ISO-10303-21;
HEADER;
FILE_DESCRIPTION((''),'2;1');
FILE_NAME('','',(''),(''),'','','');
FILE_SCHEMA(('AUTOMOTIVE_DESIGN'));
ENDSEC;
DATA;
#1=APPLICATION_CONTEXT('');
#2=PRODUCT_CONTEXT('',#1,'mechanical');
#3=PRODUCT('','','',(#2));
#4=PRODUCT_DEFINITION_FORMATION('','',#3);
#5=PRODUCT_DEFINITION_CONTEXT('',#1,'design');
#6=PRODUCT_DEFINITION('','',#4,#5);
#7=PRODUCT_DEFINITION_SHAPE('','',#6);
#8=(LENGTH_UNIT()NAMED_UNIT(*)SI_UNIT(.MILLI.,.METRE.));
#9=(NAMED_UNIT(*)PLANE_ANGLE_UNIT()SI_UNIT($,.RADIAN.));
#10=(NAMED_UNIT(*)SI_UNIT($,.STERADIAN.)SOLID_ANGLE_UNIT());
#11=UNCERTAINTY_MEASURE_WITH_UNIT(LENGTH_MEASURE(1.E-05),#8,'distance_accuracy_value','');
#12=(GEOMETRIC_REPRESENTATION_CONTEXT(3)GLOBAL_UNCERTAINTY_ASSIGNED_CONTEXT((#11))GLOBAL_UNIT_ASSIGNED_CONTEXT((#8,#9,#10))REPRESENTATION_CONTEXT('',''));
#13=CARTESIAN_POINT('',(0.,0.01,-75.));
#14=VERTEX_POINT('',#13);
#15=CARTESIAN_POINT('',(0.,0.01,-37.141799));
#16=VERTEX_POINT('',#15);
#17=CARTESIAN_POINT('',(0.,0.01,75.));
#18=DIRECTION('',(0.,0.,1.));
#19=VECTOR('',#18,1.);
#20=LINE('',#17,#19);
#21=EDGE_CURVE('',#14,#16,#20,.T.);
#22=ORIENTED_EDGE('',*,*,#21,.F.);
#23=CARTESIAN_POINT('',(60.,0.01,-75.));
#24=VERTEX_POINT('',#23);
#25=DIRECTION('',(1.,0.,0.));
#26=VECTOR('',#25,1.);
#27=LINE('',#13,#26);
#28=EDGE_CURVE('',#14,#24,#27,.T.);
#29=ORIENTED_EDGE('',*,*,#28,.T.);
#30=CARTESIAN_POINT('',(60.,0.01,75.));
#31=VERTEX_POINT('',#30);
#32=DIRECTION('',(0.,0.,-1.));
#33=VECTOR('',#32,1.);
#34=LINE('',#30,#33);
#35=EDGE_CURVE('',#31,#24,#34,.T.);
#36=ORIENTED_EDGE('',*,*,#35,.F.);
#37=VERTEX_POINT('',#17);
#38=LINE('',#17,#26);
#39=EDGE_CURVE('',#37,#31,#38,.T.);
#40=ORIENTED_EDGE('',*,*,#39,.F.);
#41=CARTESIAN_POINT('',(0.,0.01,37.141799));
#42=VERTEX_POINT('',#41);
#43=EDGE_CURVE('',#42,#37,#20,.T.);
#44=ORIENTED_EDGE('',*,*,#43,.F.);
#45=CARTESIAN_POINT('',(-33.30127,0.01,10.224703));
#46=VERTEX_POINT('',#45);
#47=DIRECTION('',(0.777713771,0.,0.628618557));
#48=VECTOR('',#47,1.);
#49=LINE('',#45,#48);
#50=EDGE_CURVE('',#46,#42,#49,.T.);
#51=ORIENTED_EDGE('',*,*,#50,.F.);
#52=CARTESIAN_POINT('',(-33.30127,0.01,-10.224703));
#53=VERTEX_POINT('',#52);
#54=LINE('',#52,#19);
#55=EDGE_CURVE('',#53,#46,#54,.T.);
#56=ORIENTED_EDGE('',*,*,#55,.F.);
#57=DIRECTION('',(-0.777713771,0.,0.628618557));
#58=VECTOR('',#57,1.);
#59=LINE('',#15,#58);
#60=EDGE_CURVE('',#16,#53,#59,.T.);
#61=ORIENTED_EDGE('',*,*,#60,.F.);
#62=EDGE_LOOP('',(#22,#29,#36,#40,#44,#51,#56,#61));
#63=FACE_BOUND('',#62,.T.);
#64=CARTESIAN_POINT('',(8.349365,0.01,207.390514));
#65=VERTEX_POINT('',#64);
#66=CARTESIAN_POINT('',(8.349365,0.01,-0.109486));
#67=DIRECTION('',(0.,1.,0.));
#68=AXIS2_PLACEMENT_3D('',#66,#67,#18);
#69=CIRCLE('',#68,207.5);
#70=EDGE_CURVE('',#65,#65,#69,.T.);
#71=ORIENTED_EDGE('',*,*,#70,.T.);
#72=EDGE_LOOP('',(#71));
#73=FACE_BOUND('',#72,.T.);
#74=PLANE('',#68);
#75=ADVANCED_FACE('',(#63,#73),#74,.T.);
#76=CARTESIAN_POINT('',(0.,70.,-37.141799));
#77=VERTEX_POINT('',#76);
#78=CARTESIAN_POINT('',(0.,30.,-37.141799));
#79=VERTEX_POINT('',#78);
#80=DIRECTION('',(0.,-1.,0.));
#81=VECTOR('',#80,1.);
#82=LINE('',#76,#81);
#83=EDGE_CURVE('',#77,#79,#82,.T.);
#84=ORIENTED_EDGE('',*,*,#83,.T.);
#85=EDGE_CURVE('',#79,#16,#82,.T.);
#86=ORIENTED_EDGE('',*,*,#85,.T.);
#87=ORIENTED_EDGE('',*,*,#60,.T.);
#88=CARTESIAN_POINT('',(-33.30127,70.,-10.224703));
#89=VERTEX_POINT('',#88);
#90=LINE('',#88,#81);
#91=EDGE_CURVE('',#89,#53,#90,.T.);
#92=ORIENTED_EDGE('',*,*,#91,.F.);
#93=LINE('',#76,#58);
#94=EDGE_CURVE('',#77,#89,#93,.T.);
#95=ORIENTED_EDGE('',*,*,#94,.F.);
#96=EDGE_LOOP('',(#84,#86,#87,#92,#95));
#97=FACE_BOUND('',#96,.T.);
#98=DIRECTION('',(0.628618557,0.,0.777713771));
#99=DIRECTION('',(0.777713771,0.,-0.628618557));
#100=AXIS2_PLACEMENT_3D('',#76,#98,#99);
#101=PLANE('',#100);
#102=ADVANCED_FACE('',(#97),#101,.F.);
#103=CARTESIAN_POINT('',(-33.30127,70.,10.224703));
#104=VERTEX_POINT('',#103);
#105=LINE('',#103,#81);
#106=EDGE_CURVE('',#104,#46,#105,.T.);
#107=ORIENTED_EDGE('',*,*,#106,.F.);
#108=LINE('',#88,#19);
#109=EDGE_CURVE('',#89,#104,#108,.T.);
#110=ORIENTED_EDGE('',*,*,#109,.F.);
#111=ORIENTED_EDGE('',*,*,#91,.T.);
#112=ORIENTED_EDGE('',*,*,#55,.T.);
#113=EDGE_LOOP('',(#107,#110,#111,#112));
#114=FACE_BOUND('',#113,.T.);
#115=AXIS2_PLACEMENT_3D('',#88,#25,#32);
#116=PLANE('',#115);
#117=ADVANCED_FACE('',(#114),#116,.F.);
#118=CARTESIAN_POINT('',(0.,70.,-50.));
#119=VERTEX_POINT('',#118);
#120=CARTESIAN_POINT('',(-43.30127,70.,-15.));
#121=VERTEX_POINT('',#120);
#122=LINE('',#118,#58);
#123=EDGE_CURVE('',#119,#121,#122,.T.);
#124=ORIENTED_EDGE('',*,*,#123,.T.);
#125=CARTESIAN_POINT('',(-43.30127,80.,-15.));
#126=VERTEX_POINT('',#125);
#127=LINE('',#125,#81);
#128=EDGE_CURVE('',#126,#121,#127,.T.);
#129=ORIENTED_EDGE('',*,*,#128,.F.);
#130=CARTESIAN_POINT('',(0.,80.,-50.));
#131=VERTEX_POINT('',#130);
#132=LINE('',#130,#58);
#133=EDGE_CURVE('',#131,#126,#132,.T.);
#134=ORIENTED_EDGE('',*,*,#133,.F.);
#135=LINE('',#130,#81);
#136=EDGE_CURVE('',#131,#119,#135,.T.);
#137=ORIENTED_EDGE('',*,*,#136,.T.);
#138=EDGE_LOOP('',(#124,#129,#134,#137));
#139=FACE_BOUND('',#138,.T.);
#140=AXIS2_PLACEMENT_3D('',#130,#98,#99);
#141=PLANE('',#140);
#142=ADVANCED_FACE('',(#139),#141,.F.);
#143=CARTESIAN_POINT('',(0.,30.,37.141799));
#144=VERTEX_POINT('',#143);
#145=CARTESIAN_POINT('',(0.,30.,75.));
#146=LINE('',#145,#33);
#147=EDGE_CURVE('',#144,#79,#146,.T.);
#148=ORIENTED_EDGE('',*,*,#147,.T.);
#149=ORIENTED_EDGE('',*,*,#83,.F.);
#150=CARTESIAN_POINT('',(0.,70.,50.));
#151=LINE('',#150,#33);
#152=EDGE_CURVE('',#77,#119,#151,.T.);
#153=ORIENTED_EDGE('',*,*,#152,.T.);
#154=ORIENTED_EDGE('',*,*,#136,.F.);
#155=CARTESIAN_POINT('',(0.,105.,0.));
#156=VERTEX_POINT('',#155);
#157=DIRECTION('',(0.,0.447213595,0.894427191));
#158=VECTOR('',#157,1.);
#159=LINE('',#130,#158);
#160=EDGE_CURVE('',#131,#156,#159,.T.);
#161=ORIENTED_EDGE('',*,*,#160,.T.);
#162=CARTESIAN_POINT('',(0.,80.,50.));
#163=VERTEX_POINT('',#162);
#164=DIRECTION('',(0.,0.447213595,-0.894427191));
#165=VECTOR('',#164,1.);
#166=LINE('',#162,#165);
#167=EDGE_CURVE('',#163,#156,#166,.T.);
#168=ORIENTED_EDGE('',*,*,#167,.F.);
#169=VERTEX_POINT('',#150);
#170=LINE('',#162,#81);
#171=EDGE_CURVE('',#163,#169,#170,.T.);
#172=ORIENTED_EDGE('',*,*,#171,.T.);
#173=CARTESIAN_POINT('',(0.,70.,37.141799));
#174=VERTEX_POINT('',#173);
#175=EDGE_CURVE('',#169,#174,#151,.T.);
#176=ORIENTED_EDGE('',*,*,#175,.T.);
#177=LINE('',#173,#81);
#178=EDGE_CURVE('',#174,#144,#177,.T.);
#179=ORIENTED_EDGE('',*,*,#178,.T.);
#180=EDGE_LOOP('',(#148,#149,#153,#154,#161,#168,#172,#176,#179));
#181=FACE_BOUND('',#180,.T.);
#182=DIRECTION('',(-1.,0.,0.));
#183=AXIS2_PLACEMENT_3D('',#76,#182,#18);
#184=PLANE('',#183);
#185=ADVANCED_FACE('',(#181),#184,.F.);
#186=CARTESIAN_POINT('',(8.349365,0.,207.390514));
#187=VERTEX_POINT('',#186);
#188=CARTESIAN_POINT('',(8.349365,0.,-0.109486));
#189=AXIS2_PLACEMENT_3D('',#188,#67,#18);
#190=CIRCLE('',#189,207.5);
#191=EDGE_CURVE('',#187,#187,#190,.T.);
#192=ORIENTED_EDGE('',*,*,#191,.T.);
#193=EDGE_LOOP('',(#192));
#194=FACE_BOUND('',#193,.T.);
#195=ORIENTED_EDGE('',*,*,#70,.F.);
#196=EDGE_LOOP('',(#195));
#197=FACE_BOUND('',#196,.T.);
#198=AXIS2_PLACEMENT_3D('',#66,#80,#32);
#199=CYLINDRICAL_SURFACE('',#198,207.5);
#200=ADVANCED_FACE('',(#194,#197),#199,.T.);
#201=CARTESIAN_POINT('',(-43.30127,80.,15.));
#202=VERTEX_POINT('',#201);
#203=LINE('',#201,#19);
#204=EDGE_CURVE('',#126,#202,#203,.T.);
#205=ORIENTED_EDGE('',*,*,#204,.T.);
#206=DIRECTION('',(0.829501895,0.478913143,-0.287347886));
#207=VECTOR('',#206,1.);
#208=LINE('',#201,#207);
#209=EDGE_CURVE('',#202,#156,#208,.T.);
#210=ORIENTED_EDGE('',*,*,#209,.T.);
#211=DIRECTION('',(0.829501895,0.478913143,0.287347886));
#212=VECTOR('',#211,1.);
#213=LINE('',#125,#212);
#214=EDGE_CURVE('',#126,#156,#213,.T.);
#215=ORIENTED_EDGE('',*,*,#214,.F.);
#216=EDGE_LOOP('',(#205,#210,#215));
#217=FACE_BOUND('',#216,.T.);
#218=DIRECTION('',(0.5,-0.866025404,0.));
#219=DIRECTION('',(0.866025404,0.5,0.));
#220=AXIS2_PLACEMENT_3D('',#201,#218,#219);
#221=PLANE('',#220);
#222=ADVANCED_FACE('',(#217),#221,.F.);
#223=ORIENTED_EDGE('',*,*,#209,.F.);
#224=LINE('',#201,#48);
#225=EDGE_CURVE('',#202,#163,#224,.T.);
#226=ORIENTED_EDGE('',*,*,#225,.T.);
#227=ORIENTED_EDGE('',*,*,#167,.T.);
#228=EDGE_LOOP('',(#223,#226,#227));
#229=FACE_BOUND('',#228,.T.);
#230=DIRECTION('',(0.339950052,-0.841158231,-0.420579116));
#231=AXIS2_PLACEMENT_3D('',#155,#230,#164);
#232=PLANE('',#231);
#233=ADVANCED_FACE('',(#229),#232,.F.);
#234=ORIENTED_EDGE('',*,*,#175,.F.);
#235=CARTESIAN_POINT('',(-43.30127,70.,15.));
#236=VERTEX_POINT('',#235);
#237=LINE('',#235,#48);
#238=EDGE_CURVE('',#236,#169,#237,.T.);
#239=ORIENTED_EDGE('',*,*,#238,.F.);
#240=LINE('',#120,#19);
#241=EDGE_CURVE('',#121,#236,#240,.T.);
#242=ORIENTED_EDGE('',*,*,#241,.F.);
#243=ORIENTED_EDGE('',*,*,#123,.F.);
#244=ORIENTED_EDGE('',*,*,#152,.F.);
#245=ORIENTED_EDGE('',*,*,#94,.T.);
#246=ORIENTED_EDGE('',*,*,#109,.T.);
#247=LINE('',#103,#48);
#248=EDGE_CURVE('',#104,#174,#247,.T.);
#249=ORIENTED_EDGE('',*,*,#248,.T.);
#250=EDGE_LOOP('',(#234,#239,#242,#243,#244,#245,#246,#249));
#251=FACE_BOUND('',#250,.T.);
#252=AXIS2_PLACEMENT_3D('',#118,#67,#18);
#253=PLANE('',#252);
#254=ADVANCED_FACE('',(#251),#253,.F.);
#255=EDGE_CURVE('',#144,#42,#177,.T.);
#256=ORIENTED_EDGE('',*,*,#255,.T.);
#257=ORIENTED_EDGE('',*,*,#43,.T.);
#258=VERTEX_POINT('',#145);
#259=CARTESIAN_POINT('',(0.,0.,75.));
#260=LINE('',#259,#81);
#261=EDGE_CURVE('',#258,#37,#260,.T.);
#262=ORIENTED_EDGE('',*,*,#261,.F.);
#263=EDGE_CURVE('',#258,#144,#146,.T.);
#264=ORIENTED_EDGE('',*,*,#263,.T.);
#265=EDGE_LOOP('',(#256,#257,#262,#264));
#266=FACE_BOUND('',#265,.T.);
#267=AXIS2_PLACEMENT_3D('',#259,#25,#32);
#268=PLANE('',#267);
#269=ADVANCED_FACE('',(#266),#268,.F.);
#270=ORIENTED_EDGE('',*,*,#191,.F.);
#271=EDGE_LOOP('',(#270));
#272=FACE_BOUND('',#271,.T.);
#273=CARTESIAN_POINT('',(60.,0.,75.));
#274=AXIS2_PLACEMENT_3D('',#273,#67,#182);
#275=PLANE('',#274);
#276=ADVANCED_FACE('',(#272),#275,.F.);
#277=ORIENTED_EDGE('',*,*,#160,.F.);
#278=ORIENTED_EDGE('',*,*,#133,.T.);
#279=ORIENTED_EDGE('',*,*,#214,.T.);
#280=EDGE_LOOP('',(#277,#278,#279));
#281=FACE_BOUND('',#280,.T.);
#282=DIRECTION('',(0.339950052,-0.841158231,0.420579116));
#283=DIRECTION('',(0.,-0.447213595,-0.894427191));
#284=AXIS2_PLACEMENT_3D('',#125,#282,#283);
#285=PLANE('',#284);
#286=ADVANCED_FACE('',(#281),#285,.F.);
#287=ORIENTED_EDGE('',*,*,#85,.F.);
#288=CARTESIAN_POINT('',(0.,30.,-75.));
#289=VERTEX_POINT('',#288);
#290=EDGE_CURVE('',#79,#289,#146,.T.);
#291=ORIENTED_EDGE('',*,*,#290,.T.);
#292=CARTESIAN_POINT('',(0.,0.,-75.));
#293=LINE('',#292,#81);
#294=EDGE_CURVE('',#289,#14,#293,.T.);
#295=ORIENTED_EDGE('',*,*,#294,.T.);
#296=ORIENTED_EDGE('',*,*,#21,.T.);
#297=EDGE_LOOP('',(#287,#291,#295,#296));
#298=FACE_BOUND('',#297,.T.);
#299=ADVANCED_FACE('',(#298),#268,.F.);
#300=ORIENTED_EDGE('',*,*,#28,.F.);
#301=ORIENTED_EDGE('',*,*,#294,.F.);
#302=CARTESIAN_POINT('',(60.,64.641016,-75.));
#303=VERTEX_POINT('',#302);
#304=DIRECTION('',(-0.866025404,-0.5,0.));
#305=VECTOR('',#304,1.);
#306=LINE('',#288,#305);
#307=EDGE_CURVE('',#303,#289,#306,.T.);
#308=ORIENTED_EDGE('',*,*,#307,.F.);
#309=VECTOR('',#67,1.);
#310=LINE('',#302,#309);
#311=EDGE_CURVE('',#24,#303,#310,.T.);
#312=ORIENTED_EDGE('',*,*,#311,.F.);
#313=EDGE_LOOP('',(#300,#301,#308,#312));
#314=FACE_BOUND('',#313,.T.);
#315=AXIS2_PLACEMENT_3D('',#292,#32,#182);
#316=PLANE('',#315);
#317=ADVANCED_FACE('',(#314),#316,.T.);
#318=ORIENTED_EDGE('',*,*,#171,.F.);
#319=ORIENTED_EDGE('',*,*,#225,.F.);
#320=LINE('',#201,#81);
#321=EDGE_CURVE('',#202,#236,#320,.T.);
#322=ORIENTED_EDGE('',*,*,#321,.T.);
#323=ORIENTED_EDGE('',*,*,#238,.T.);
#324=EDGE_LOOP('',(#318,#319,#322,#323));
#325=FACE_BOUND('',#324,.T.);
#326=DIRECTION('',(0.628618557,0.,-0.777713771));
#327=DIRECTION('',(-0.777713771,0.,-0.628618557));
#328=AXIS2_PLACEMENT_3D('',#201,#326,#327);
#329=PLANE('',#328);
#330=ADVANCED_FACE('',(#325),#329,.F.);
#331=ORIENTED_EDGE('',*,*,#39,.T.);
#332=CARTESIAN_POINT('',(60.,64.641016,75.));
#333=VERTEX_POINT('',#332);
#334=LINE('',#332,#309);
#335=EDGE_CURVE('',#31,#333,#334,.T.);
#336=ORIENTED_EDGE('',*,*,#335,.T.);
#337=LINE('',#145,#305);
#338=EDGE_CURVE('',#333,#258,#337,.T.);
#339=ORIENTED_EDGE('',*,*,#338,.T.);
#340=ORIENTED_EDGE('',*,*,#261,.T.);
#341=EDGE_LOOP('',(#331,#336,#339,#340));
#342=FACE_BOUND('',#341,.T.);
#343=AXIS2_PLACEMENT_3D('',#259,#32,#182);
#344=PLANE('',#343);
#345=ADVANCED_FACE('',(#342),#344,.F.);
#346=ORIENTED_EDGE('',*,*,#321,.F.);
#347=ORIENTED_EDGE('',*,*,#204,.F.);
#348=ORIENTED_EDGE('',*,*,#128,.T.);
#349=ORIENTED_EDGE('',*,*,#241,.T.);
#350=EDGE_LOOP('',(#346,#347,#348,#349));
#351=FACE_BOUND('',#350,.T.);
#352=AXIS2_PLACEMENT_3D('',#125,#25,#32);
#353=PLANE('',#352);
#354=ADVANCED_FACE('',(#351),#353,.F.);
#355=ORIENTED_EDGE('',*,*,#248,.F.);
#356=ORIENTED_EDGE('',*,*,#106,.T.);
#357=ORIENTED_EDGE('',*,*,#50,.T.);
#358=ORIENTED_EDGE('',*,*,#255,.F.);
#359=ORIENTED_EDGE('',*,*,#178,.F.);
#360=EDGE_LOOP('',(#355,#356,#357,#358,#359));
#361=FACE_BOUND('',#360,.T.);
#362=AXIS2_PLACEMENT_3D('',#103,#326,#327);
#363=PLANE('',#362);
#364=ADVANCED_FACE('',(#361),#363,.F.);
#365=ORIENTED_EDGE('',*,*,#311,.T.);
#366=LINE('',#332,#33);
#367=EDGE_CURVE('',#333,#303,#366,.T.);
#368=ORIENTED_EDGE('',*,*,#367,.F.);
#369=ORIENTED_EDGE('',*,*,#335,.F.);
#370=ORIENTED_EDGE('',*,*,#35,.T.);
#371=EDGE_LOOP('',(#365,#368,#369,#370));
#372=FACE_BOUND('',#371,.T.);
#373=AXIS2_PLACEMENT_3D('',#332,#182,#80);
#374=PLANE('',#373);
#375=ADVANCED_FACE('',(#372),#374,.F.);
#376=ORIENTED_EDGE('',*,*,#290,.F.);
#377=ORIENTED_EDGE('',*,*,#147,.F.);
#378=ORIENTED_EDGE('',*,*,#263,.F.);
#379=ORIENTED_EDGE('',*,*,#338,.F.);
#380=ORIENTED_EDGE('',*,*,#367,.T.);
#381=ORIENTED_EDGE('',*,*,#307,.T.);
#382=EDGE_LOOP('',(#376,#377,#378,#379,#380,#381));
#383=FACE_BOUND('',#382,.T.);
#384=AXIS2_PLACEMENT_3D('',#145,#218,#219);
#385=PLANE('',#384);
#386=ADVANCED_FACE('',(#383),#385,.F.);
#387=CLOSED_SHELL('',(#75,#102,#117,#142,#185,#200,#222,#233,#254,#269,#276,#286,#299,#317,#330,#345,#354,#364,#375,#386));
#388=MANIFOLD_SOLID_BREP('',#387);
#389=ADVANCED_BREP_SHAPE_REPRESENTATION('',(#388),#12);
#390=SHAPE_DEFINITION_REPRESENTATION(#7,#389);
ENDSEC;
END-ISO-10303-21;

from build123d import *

# Parameters (mm, degrees)
EXTRUDE1_DEPTH = 75
EXTRUDE2_DEPTH = 70
EXTRUDE3_DEPTH = 10
SKETCH6_R      = 207.5
EXTRUDE4_DEPTH = 0.01


with BuildPart() as part:
    # Sketch1 → Extrude1 (new body, symmetric)
    with BuildSketch(Plane.XY):
        Polygon((0, 0), (0, 30), (60, 64.641016151), (60, 0), align=None)
    extrude(amount=EXTRUDE1_DEPTH, both=True)

    # Sketch2 → Extrude2 (add)
    with BuildSketch(Plane(origin=(0, 0, 0), x_dir=(1, 0, 0), z_dir=(0, 1, 0))):
        Polygon((0, 37.141798985), (-33.301270189, 10.224702754), (-33.301270189, -10.224702754), (0, -37.141798985), align=None)
    extrude(amount=EXTRUDE2_DEPTH)

    # Sketch3 → Extrude3 (add)
    with BuildSketch(Plane(origin=(0, 70, 0), x_dir=(-1, 0, 0), z_dir=(0, 1, 0))):
        Polygon((0, -50), (43.301270189, -15), (43.301270189, 15), (0, 50), align=None)
    extrude(amount=EXTRUDE3_DEPTH)

    # Sketch4 → Loft1 section 0
    with BuildSketch(Plane(origin=(0, 80, 0), x_dir=(-1, 0, 0), z_dir=(0, 1, 0)), mode=Mode.PRIVATE) as loft1_s0:
        Polygon((0, -50), (43.301270189, -15), (43.301270189, 15), (0, 50), align=None)
    loft([loft1_s0.sketch, Vertex(0, 105, 0)])

    # Sketch6 → Extrude4 (add)
    with BuildSketch(Plane(origin=(0, 0, 0), x_dir=(1, 0, 0), z_dir=(0, 1, 0))):
        with Locations(Location((8.349364905, 0.109485549, 0), (0, 0, 270))):  # turned: the seam where the file's is
            Circle(SKETCH6_R)
    extrude(amount=EXTRUDE4_DEPTH)


solid = part.part
